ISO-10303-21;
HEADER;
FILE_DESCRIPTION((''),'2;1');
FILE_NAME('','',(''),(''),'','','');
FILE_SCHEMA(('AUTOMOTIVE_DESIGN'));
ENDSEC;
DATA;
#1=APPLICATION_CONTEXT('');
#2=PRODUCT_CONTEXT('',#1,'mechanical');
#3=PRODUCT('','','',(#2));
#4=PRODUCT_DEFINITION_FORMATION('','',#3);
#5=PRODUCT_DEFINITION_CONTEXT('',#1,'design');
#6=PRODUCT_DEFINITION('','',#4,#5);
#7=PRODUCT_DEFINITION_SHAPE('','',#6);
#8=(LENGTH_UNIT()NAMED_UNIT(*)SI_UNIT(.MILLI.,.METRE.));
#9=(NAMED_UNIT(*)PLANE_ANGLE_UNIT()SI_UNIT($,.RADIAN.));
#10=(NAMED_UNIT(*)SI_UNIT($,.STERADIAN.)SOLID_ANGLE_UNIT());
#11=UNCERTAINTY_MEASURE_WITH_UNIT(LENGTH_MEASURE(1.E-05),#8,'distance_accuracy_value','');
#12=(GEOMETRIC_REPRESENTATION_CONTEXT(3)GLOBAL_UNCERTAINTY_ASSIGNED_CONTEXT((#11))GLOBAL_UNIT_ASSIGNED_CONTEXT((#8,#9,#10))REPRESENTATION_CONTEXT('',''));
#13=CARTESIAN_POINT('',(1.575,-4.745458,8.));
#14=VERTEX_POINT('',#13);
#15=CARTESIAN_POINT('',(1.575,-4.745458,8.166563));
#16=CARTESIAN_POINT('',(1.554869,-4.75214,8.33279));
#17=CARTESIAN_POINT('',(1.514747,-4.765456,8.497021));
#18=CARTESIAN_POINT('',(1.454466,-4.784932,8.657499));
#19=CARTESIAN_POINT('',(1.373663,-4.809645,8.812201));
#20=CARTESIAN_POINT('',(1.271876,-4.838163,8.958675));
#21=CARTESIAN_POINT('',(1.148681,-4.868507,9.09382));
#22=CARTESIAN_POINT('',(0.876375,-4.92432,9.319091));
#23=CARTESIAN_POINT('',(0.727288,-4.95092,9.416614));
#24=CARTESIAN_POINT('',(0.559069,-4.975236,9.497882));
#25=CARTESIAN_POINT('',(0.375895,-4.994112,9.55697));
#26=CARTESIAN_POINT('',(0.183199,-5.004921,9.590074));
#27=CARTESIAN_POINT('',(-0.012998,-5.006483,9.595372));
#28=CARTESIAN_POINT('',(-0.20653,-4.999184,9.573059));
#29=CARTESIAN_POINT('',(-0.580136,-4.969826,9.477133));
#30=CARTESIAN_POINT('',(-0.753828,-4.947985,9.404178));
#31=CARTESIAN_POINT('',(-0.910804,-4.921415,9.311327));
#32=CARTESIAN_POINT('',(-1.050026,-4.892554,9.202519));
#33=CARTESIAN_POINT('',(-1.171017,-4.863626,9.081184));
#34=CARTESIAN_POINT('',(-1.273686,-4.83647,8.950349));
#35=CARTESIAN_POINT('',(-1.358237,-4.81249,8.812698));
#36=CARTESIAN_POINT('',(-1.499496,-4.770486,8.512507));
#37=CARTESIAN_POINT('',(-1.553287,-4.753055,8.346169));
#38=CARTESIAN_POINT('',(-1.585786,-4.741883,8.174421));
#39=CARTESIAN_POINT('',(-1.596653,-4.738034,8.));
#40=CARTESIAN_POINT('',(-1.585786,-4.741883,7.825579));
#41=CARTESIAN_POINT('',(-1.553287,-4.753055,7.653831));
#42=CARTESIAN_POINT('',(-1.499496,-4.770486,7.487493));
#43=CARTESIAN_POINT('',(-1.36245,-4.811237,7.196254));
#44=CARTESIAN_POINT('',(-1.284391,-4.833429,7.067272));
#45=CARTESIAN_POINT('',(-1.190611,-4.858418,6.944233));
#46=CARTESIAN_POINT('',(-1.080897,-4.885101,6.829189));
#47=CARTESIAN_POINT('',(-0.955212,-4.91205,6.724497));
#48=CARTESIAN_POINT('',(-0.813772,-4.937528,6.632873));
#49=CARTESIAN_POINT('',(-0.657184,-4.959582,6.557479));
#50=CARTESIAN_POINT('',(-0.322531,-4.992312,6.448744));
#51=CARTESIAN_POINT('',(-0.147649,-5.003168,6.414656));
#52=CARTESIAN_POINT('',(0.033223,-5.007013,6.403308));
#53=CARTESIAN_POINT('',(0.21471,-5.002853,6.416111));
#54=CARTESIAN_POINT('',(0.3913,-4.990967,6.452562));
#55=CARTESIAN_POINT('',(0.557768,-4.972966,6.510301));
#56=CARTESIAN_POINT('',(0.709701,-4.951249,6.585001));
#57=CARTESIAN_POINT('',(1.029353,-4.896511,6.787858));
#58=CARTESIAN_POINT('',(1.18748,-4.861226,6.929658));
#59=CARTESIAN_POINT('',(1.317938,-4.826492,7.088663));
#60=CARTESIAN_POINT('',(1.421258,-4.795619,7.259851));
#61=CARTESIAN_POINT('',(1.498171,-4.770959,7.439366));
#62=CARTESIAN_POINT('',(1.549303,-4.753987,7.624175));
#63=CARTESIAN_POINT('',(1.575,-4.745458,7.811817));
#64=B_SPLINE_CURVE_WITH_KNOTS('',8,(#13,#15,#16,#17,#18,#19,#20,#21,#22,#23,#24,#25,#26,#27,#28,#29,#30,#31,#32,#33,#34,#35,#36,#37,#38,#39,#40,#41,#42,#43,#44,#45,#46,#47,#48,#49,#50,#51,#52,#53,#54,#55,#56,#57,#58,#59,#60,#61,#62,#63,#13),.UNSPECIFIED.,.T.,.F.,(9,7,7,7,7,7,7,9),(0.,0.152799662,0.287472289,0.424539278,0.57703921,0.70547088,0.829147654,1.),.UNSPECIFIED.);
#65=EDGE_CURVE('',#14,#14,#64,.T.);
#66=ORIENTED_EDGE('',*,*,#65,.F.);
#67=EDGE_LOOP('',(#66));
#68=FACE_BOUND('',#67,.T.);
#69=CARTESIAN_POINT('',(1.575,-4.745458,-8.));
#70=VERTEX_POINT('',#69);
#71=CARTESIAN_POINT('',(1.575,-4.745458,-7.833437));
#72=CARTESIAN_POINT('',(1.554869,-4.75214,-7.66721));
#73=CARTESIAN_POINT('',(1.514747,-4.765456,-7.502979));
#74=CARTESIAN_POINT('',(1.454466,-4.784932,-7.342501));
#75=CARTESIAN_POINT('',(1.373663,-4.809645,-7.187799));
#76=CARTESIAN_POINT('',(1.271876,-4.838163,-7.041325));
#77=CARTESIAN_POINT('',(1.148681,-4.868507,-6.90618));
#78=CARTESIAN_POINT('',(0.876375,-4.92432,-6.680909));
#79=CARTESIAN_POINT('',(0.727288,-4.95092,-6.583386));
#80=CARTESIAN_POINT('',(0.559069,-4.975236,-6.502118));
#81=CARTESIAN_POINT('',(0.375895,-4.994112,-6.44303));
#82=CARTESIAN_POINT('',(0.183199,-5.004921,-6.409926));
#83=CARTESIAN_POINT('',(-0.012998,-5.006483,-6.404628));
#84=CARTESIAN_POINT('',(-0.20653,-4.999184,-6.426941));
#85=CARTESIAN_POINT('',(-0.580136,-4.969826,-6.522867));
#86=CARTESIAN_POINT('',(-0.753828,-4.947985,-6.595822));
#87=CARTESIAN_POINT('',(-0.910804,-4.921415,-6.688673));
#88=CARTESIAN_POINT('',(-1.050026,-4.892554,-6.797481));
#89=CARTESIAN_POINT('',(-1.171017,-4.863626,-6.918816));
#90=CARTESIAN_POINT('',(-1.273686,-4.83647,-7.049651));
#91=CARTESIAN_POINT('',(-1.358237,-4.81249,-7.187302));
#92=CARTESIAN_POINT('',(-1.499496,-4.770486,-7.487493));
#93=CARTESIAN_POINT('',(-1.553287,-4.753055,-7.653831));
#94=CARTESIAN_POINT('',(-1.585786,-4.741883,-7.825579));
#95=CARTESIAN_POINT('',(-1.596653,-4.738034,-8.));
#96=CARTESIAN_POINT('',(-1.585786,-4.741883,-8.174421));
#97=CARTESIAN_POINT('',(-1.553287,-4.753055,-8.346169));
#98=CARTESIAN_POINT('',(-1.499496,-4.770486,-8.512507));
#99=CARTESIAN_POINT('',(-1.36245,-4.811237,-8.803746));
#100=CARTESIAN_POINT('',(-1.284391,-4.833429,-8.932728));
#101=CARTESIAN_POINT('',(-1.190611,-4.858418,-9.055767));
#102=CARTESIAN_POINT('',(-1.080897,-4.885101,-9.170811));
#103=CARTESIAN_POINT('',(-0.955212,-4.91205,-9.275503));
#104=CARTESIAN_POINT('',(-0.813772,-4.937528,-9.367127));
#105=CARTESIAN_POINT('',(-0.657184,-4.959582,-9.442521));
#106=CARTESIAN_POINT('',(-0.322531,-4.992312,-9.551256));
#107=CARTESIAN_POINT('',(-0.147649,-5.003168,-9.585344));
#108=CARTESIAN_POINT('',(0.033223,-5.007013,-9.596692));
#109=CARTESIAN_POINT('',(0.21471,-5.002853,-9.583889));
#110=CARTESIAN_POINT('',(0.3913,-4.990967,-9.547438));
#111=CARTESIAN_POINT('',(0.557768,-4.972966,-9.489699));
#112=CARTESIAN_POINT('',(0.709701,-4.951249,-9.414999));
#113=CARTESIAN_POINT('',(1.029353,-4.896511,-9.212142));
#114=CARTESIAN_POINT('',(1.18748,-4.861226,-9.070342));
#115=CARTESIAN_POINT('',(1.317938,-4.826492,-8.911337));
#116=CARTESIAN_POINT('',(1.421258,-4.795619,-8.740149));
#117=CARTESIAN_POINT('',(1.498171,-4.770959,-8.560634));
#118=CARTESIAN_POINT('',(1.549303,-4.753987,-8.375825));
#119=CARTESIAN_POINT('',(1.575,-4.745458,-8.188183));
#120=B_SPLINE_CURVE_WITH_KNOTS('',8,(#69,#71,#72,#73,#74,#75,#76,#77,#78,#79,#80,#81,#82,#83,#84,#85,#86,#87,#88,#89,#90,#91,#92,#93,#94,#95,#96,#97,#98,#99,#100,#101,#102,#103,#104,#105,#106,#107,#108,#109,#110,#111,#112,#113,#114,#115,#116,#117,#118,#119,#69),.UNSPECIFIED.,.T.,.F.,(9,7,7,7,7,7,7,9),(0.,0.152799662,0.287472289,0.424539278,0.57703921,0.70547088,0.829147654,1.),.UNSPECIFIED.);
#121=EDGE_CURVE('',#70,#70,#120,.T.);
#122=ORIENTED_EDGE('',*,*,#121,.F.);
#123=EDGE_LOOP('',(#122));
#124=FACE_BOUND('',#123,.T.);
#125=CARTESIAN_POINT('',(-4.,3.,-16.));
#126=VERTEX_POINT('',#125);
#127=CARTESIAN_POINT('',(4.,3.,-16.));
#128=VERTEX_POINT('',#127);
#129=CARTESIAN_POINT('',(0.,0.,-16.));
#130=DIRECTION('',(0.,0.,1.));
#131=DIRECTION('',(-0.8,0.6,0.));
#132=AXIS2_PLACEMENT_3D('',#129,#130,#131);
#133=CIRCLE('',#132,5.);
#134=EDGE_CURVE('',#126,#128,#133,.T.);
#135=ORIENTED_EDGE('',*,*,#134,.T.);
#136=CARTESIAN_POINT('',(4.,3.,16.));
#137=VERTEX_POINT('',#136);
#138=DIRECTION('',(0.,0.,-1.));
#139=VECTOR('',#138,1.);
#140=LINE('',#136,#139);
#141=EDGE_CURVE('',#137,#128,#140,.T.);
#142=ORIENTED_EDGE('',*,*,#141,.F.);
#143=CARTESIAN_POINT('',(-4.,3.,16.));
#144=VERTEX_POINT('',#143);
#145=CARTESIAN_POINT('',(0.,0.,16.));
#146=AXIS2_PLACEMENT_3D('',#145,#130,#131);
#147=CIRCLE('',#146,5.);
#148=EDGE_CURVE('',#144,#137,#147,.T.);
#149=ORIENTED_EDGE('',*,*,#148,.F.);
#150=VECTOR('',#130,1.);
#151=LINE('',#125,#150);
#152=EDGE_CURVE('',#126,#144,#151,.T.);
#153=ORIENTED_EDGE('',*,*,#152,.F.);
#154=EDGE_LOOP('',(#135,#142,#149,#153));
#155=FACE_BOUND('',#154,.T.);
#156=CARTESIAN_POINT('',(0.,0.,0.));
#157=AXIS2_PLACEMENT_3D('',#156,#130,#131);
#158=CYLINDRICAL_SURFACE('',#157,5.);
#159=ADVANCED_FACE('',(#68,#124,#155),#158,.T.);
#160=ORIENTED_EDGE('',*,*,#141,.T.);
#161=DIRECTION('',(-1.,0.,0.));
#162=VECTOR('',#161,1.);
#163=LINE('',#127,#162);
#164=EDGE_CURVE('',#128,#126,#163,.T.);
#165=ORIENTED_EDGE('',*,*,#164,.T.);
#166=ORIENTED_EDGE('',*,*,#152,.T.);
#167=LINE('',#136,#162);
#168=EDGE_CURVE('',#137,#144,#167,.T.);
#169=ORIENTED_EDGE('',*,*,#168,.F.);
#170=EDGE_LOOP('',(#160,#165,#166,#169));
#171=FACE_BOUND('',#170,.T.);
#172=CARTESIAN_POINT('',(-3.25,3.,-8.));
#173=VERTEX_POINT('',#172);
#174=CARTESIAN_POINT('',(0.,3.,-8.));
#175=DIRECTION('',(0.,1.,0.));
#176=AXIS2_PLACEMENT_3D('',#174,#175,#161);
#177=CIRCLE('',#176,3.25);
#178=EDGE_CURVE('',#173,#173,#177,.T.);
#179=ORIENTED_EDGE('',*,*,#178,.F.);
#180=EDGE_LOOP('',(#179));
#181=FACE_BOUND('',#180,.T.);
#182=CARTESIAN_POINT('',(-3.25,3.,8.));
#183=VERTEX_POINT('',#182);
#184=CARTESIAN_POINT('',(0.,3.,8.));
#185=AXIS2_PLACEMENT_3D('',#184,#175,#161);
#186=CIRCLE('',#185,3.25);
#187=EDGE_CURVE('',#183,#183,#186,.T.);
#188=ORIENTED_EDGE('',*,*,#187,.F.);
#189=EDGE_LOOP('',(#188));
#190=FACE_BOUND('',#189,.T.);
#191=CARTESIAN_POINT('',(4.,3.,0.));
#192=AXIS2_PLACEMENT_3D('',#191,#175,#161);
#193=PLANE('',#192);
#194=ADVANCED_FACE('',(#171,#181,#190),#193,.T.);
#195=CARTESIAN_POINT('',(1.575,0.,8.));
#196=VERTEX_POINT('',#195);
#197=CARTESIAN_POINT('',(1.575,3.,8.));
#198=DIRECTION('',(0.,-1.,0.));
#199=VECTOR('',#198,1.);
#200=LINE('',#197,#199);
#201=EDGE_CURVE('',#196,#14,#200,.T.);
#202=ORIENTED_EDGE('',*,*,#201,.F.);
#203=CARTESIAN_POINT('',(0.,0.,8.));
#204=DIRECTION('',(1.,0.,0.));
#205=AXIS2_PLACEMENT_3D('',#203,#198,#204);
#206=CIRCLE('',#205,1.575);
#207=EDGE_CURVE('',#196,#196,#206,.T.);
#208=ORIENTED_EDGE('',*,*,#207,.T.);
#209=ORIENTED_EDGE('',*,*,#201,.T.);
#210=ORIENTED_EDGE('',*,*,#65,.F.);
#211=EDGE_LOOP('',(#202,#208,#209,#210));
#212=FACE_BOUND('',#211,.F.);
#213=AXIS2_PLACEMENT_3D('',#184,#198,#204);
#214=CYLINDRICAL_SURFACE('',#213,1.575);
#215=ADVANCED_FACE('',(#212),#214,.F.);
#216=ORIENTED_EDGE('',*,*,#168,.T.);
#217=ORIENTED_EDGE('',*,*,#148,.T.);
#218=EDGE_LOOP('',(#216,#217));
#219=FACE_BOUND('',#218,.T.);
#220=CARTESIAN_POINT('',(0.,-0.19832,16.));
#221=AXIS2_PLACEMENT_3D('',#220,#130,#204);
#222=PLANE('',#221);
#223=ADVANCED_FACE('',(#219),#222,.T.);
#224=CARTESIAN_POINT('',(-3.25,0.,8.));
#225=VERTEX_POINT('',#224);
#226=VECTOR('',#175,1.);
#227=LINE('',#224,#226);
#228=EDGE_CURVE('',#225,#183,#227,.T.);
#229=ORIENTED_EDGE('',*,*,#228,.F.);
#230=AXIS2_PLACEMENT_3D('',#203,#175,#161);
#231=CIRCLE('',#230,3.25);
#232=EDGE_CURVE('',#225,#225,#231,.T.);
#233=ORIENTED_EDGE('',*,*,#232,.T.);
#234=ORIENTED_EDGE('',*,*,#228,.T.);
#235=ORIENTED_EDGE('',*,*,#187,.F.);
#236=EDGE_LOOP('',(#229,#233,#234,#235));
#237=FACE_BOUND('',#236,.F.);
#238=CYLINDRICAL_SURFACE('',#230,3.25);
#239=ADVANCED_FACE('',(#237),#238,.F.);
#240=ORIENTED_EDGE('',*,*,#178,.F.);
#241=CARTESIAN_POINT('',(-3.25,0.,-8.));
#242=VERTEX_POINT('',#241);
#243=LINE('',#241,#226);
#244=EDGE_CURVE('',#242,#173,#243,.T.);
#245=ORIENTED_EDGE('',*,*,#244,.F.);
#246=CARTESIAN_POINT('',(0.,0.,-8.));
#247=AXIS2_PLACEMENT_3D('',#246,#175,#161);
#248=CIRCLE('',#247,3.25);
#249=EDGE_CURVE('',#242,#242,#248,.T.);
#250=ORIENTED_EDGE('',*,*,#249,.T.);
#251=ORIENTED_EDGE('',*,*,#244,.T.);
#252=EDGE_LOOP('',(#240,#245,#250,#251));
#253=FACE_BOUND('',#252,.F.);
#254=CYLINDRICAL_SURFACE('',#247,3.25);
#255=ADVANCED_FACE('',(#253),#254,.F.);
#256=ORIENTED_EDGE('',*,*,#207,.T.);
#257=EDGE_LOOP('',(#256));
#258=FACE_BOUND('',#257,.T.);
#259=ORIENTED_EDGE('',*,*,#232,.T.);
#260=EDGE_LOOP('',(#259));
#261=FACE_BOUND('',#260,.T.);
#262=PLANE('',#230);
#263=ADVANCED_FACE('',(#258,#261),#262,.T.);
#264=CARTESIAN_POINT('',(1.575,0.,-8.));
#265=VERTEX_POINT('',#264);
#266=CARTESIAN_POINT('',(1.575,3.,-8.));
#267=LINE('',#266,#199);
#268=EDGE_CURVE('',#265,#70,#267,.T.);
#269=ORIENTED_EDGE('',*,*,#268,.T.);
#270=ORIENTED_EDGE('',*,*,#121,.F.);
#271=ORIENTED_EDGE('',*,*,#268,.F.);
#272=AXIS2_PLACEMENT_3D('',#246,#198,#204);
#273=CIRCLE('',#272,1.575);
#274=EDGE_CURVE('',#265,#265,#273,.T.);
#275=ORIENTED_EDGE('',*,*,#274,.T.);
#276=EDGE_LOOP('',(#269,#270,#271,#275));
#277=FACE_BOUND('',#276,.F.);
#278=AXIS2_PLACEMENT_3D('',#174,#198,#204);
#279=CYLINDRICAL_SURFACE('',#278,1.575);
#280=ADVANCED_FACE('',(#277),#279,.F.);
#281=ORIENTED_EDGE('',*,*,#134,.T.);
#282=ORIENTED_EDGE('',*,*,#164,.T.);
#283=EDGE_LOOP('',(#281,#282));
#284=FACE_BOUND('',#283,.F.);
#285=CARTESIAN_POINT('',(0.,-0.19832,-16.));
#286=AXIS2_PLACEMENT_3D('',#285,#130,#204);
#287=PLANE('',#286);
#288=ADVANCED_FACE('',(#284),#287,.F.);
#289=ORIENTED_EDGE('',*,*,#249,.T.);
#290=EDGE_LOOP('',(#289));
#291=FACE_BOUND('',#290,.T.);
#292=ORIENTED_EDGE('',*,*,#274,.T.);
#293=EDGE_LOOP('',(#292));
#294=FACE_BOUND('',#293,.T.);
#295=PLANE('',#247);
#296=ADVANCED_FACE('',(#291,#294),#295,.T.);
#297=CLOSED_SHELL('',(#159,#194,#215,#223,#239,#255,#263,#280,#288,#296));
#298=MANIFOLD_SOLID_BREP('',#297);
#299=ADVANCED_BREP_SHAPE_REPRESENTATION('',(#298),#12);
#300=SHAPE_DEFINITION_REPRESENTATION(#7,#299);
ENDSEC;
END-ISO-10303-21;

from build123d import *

# Parameters (mm, degrees)
F1_DEPTH       = 16
F3_D           = 3.15
F3_CBORE_D     = 6.5
F3_CBORE_DEPTH = 3


with BuildPart() as f1:
    # F0 (on Top) → F1 (new body, symmetric)
    with BuildSketch(Plane.XY):
        with BuildLine():
            Line((4, 3), (-4, 3))
            ThreePointArc((-4, 3), (0, -5), (4, 3))
        make_face()
    extrude(amount=F1_DEPTH, both=True)

    # F3 (through all)
    with Locations(Plane(origin=(0, 3, 0), x_dir=(-1, 0, 0), z_dir=(0, 1, 0))):
        with Locations((0, 8), (0, -8)):
            CounterBoreHole(F3_D / 2, F3_CBORE_D / 2, F3_CBORE_DEPTH)


solid = f1.part
